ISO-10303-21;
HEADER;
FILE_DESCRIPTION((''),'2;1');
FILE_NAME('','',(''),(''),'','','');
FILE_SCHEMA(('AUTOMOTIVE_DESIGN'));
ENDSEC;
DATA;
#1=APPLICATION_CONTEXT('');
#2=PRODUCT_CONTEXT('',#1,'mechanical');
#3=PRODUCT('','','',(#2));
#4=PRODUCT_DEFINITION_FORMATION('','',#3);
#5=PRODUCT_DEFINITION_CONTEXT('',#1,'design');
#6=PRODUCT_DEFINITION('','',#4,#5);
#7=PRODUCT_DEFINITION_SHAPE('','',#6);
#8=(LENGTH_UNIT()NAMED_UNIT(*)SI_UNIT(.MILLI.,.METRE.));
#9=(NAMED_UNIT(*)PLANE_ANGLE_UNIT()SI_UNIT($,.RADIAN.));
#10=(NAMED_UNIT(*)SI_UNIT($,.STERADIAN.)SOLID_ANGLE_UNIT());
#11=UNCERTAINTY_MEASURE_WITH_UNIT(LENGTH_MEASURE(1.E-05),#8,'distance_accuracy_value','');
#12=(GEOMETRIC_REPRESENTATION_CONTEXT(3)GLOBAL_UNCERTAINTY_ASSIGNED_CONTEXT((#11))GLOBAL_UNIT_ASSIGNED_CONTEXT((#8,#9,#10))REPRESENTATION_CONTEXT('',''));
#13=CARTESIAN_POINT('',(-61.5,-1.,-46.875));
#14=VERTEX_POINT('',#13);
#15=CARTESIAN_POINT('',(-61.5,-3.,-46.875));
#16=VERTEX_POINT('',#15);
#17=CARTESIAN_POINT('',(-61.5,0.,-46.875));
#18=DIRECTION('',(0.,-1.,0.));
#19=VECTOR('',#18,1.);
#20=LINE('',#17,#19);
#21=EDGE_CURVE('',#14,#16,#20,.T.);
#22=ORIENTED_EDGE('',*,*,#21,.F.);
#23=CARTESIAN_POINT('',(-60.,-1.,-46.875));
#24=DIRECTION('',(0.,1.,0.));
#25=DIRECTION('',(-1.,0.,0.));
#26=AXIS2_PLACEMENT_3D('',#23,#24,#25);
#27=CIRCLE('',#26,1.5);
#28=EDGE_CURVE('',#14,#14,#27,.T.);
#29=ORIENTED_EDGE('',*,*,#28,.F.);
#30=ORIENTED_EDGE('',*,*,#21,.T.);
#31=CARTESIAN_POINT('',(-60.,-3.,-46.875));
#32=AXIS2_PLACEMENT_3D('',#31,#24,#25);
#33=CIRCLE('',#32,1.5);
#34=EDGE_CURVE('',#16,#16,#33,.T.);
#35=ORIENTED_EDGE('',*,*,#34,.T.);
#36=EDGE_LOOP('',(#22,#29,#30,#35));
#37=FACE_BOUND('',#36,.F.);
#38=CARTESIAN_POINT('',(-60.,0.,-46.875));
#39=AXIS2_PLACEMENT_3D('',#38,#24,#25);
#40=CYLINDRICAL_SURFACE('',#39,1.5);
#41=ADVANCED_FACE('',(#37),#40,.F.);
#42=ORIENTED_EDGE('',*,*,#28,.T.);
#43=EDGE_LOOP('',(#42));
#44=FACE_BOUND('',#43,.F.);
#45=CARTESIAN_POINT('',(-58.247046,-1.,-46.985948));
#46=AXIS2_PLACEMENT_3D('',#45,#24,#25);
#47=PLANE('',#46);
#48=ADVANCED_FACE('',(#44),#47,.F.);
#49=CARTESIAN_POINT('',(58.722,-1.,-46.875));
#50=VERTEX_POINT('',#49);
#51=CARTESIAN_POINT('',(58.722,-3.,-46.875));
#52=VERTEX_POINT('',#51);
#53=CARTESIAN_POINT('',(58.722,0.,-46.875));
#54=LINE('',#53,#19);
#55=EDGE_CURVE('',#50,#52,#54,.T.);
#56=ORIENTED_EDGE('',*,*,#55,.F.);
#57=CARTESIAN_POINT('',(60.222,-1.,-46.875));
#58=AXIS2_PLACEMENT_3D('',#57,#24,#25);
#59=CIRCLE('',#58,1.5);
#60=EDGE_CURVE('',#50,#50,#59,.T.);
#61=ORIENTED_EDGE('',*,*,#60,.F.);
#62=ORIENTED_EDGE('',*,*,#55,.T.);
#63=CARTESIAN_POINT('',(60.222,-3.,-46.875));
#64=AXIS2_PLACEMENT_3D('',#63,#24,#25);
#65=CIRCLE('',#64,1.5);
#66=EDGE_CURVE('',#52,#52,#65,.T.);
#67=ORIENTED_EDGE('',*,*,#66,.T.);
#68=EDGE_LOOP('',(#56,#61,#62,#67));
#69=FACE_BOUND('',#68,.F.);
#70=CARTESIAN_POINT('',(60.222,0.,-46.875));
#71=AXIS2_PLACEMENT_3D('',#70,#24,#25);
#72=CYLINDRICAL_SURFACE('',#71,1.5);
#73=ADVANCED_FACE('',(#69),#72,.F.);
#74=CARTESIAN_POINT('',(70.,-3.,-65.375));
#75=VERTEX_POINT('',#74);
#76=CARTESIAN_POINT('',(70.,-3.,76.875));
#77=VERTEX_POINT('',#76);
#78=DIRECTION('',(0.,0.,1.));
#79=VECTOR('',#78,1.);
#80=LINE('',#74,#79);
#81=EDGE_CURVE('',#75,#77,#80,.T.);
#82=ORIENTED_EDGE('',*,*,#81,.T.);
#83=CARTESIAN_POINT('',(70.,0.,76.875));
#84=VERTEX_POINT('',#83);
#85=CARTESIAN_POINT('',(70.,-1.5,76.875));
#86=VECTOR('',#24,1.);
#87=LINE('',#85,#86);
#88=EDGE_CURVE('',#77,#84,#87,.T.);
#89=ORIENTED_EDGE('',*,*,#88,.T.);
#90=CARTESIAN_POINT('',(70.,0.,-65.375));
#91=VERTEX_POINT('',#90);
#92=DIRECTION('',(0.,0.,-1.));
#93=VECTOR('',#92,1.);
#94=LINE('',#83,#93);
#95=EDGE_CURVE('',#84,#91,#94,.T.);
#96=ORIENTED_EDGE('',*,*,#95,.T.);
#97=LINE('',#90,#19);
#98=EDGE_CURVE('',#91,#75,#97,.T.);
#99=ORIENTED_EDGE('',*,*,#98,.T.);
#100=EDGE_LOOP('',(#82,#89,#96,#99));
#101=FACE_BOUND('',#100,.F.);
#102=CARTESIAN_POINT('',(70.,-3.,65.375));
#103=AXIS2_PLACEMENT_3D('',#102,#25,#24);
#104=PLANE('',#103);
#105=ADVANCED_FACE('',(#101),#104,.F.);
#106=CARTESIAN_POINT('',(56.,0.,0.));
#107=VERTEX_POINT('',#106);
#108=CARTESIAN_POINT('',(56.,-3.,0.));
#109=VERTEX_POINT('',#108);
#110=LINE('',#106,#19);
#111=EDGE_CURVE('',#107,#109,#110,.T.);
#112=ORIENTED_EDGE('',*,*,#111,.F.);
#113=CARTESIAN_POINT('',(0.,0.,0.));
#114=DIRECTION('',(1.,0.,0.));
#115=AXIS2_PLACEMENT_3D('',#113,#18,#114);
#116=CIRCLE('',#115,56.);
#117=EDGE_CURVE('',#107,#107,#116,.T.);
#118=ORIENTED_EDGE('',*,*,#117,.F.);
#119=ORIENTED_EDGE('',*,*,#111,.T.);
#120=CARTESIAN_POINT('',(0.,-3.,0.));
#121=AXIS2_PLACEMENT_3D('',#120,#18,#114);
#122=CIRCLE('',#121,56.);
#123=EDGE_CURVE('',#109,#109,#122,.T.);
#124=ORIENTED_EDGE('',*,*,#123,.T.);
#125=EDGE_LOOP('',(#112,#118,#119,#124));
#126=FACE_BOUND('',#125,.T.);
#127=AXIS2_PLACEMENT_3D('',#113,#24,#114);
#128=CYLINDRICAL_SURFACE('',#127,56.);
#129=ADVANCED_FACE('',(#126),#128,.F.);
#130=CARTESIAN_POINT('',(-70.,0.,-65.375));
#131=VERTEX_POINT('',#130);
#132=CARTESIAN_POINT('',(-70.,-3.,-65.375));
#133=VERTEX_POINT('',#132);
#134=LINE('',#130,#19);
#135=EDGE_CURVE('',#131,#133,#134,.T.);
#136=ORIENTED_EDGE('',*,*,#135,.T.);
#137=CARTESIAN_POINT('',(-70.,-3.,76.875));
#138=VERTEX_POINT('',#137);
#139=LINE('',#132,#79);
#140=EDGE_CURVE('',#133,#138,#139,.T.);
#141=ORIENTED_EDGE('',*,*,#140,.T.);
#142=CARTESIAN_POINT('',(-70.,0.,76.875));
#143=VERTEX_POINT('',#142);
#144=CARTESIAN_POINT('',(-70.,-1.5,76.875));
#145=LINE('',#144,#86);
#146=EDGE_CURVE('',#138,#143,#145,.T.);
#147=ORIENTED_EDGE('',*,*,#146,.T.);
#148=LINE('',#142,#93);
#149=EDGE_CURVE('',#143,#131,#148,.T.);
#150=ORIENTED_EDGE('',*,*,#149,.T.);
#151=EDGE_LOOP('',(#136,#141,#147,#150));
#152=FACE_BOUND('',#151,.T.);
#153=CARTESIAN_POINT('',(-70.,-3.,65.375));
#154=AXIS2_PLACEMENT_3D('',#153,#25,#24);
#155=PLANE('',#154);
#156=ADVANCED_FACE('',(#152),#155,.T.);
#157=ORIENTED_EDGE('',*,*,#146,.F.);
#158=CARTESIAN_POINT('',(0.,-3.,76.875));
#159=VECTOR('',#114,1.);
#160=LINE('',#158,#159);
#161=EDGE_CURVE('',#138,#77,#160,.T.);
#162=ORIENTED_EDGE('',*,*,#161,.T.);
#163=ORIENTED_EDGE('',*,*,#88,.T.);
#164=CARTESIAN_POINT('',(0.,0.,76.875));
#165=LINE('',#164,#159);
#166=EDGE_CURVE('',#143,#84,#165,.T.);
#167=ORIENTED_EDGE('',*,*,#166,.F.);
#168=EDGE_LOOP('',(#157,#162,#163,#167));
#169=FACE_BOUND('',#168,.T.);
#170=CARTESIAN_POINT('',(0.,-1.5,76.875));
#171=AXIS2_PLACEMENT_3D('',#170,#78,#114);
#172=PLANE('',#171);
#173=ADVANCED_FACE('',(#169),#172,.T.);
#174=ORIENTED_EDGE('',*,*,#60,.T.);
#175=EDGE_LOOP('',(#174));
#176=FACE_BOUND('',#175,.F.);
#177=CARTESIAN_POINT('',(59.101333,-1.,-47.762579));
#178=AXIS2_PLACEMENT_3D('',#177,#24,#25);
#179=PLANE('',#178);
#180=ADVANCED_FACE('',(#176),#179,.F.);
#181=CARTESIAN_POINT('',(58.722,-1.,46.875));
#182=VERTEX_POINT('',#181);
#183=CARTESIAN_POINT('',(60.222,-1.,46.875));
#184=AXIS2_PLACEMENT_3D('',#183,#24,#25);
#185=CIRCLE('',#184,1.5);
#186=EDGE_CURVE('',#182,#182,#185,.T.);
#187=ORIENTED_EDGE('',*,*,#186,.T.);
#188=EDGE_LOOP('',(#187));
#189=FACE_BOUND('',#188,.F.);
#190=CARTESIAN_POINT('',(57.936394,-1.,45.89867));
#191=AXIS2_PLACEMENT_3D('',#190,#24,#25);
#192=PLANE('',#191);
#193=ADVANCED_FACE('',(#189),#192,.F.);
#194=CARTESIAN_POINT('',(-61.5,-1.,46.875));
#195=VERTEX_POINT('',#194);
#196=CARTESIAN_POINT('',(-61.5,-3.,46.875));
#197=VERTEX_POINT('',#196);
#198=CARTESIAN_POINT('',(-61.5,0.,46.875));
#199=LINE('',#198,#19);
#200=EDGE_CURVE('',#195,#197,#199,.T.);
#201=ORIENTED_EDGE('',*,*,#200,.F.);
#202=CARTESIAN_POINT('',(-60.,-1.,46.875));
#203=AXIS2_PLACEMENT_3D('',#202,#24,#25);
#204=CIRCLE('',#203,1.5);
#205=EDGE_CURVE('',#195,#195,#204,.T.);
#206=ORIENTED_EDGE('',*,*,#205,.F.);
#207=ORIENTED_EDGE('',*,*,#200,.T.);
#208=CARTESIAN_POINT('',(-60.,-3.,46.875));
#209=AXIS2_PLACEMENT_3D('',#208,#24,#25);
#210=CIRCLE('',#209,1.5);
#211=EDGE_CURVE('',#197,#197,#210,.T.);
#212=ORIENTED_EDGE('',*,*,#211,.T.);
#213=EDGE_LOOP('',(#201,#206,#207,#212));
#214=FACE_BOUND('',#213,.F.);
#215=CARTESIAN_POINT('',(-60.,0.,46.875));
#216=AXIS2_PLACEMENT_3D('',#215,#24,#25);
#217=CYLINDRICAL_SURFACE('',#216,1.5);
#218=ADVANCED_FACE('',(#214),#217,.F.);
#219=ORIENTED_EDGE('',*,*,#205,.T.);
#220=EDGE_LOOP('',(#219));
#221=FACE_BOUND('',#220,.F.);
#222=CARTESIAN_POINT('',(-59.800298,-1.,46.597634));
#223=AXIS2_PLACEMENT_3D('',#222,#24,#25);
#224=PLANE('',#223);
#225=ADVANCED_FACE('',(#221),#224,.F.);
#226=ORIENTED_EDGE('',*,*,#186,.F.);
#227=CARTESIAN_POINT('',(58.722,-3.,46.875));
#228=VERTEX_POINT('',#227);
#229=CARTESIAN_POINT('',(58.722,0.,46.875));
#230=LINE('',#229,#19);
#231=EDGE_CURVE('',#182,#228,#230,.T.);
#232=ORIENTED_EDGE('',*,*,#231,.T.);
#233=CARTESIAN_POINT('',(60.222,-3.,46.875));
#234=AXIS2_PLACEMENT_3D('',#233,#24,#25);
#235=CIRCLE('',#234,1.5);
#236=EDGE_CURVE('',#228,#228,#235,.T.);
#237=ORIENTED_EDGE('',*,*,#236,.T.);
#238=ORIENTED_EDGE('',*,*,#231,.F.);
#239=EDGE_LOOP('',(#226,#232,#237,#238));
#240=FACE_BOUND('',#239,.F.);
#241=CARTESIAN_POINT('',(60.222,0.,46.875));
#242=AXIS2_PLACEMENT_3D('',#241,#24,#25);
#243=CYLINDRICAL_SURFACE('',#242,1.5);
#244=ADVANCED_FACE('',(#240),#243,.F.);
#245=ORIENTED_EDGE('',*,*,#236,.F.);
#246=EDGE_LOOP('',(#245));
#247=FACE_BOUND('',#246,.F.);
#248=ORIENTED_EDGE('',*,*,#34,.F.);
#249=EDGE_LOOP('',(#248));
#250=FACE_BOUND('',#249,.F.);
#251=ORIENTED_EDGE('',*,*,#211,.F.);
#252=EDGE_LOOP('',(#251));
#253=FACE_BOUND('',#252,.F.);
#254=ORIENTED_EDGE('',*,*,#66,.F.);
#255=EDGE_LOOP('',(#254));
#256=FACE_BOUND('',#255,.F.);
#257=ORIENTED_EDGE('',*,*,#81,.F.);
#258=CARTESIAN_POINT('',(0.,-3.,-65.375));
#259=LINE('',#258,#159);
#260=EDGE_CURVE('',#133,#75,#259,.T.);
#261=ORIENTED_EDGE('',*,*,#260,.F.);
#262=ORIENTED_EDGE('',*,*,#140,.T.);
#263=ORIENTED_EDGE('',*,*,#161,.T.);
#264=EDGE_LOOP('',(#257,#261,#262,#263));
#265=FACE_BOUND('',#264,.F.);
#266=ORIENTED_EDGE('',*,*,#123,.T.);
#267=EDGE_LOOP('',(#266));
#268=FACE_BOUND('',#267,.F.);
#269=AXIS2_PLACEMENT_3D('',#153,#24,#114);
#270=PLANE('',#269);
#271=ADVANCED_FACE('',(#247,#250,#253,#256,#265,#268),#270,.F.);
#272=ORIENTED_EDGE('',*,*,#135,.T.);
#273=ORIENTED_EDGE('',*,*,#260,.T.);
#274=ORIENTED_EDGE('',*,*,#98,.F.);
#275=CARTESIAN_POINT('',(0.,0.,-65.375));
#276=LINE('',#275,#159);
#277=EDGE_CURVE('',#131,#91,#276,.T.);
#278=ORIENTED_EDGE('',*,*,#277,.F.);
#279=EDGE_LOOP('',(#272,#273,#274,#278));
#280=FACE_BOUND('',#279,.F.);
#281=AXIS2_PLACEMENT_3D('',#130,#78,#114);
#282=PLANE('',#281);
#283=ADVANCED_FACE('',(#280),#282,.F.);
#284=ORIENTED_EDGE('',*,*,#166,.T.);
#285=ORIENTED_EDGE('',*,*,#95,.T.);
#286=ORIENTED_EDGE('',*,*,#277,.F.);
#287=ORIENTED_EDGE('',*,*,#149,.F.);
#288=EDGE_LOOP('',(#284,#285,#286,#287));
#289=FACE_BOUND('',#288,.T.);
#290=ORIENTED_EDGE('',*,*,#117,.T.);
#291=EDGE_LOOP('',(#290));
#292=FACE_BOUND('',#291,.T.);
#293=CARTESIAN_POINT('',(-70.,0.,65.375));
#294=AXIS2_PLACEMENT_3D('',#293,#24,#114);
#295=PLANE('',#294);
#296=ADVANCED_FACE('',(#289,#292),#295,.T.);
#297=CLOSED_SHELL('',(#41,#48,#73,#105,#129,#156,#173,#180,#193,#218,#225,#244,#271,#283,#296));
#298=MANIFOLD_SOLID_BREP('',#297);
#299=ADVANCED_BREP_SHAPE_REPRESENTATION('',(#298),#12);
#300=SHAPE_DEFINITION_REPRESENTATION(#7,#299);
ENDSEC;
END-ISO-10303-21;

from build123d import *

# Parameters (mm, degrees)
F0_W     = 140
F0_H     = 130.75
F0_R     = 56
F1_DEPTH = 3
F2_R     = 1.5
F3_DEPTH = 30
F4_W     = 15.532549
F4_H     = 12.581359
F4_W_2   = 11.960063
F4_H_2   = 6.057691
F4_W_3   = 11.183437
F4_H_3   = 12.270715
F4_W_4   = 9.940829
F4_H_4   = 9.008877
F5_DEPTH = 1
F6_W     = 140
F6_H     = 3
F7_DEPTH = 11.5


with BuildPart() as f1:
    # F0 (on Front) → F1 (new body)
    with BuildSketch(Plane.XZ):
        Rectangle(F0_W, F0_H)
        Circle(F0_R, mode=Mode.SUBTRACT)
    extrude(amount=F1_DEPTH)

    # F2 (on face) → F3 (cut)
    with BuildSketch(Plane(origin=(0, 0, 0), x_dir=(-1, 0, 0), z_dir=(0, 1, 0))):
        with Locations((-60.222, 46.875)):
            Circle(F2_R)
        with Locations((60, 46.875)):
            Circle(F2_R)
        with Locations((60, -46.875)):
            Circle(F2_R)
        with Locations((-60.222, -46.875)):
            Circle(F2_R)
    extrude(amount=-F3_DEPTH, mode=Mode.SUBTRACT)

    # F4 (on face) → F5 (join)
    with BuildSketch(Plane(origin=(0, 0, 0), x_dir=(-1, 0, 0), z_dir=(0, 1, 0))):
        with Locations((-57.936394, 45.89867)):
            Rectangle(F4_W, F4_H)
        with Locations((-59.101333, -47.762579)):
            Rectangle(F4_W_2, F4_H_2)
        with Locations((58.247046, -46.985948)):
            Rectangle(F4_W_3, F4_H_3)
        with Locations((59.800298, 46.597634)):
            Rectangle(F4_W_4, F4_H_4)
    extrude(amount=-F5_DEPTH)

    # F6 (on face) → F7 (join)
    with BuildSketch(Plane.XY.offset(65.375)):
        with Locations((0, -1.5)):
            Rectangle(F6_W, F6_H)
    extrude(amount=F7_DEPTH)


solid = f1.part
